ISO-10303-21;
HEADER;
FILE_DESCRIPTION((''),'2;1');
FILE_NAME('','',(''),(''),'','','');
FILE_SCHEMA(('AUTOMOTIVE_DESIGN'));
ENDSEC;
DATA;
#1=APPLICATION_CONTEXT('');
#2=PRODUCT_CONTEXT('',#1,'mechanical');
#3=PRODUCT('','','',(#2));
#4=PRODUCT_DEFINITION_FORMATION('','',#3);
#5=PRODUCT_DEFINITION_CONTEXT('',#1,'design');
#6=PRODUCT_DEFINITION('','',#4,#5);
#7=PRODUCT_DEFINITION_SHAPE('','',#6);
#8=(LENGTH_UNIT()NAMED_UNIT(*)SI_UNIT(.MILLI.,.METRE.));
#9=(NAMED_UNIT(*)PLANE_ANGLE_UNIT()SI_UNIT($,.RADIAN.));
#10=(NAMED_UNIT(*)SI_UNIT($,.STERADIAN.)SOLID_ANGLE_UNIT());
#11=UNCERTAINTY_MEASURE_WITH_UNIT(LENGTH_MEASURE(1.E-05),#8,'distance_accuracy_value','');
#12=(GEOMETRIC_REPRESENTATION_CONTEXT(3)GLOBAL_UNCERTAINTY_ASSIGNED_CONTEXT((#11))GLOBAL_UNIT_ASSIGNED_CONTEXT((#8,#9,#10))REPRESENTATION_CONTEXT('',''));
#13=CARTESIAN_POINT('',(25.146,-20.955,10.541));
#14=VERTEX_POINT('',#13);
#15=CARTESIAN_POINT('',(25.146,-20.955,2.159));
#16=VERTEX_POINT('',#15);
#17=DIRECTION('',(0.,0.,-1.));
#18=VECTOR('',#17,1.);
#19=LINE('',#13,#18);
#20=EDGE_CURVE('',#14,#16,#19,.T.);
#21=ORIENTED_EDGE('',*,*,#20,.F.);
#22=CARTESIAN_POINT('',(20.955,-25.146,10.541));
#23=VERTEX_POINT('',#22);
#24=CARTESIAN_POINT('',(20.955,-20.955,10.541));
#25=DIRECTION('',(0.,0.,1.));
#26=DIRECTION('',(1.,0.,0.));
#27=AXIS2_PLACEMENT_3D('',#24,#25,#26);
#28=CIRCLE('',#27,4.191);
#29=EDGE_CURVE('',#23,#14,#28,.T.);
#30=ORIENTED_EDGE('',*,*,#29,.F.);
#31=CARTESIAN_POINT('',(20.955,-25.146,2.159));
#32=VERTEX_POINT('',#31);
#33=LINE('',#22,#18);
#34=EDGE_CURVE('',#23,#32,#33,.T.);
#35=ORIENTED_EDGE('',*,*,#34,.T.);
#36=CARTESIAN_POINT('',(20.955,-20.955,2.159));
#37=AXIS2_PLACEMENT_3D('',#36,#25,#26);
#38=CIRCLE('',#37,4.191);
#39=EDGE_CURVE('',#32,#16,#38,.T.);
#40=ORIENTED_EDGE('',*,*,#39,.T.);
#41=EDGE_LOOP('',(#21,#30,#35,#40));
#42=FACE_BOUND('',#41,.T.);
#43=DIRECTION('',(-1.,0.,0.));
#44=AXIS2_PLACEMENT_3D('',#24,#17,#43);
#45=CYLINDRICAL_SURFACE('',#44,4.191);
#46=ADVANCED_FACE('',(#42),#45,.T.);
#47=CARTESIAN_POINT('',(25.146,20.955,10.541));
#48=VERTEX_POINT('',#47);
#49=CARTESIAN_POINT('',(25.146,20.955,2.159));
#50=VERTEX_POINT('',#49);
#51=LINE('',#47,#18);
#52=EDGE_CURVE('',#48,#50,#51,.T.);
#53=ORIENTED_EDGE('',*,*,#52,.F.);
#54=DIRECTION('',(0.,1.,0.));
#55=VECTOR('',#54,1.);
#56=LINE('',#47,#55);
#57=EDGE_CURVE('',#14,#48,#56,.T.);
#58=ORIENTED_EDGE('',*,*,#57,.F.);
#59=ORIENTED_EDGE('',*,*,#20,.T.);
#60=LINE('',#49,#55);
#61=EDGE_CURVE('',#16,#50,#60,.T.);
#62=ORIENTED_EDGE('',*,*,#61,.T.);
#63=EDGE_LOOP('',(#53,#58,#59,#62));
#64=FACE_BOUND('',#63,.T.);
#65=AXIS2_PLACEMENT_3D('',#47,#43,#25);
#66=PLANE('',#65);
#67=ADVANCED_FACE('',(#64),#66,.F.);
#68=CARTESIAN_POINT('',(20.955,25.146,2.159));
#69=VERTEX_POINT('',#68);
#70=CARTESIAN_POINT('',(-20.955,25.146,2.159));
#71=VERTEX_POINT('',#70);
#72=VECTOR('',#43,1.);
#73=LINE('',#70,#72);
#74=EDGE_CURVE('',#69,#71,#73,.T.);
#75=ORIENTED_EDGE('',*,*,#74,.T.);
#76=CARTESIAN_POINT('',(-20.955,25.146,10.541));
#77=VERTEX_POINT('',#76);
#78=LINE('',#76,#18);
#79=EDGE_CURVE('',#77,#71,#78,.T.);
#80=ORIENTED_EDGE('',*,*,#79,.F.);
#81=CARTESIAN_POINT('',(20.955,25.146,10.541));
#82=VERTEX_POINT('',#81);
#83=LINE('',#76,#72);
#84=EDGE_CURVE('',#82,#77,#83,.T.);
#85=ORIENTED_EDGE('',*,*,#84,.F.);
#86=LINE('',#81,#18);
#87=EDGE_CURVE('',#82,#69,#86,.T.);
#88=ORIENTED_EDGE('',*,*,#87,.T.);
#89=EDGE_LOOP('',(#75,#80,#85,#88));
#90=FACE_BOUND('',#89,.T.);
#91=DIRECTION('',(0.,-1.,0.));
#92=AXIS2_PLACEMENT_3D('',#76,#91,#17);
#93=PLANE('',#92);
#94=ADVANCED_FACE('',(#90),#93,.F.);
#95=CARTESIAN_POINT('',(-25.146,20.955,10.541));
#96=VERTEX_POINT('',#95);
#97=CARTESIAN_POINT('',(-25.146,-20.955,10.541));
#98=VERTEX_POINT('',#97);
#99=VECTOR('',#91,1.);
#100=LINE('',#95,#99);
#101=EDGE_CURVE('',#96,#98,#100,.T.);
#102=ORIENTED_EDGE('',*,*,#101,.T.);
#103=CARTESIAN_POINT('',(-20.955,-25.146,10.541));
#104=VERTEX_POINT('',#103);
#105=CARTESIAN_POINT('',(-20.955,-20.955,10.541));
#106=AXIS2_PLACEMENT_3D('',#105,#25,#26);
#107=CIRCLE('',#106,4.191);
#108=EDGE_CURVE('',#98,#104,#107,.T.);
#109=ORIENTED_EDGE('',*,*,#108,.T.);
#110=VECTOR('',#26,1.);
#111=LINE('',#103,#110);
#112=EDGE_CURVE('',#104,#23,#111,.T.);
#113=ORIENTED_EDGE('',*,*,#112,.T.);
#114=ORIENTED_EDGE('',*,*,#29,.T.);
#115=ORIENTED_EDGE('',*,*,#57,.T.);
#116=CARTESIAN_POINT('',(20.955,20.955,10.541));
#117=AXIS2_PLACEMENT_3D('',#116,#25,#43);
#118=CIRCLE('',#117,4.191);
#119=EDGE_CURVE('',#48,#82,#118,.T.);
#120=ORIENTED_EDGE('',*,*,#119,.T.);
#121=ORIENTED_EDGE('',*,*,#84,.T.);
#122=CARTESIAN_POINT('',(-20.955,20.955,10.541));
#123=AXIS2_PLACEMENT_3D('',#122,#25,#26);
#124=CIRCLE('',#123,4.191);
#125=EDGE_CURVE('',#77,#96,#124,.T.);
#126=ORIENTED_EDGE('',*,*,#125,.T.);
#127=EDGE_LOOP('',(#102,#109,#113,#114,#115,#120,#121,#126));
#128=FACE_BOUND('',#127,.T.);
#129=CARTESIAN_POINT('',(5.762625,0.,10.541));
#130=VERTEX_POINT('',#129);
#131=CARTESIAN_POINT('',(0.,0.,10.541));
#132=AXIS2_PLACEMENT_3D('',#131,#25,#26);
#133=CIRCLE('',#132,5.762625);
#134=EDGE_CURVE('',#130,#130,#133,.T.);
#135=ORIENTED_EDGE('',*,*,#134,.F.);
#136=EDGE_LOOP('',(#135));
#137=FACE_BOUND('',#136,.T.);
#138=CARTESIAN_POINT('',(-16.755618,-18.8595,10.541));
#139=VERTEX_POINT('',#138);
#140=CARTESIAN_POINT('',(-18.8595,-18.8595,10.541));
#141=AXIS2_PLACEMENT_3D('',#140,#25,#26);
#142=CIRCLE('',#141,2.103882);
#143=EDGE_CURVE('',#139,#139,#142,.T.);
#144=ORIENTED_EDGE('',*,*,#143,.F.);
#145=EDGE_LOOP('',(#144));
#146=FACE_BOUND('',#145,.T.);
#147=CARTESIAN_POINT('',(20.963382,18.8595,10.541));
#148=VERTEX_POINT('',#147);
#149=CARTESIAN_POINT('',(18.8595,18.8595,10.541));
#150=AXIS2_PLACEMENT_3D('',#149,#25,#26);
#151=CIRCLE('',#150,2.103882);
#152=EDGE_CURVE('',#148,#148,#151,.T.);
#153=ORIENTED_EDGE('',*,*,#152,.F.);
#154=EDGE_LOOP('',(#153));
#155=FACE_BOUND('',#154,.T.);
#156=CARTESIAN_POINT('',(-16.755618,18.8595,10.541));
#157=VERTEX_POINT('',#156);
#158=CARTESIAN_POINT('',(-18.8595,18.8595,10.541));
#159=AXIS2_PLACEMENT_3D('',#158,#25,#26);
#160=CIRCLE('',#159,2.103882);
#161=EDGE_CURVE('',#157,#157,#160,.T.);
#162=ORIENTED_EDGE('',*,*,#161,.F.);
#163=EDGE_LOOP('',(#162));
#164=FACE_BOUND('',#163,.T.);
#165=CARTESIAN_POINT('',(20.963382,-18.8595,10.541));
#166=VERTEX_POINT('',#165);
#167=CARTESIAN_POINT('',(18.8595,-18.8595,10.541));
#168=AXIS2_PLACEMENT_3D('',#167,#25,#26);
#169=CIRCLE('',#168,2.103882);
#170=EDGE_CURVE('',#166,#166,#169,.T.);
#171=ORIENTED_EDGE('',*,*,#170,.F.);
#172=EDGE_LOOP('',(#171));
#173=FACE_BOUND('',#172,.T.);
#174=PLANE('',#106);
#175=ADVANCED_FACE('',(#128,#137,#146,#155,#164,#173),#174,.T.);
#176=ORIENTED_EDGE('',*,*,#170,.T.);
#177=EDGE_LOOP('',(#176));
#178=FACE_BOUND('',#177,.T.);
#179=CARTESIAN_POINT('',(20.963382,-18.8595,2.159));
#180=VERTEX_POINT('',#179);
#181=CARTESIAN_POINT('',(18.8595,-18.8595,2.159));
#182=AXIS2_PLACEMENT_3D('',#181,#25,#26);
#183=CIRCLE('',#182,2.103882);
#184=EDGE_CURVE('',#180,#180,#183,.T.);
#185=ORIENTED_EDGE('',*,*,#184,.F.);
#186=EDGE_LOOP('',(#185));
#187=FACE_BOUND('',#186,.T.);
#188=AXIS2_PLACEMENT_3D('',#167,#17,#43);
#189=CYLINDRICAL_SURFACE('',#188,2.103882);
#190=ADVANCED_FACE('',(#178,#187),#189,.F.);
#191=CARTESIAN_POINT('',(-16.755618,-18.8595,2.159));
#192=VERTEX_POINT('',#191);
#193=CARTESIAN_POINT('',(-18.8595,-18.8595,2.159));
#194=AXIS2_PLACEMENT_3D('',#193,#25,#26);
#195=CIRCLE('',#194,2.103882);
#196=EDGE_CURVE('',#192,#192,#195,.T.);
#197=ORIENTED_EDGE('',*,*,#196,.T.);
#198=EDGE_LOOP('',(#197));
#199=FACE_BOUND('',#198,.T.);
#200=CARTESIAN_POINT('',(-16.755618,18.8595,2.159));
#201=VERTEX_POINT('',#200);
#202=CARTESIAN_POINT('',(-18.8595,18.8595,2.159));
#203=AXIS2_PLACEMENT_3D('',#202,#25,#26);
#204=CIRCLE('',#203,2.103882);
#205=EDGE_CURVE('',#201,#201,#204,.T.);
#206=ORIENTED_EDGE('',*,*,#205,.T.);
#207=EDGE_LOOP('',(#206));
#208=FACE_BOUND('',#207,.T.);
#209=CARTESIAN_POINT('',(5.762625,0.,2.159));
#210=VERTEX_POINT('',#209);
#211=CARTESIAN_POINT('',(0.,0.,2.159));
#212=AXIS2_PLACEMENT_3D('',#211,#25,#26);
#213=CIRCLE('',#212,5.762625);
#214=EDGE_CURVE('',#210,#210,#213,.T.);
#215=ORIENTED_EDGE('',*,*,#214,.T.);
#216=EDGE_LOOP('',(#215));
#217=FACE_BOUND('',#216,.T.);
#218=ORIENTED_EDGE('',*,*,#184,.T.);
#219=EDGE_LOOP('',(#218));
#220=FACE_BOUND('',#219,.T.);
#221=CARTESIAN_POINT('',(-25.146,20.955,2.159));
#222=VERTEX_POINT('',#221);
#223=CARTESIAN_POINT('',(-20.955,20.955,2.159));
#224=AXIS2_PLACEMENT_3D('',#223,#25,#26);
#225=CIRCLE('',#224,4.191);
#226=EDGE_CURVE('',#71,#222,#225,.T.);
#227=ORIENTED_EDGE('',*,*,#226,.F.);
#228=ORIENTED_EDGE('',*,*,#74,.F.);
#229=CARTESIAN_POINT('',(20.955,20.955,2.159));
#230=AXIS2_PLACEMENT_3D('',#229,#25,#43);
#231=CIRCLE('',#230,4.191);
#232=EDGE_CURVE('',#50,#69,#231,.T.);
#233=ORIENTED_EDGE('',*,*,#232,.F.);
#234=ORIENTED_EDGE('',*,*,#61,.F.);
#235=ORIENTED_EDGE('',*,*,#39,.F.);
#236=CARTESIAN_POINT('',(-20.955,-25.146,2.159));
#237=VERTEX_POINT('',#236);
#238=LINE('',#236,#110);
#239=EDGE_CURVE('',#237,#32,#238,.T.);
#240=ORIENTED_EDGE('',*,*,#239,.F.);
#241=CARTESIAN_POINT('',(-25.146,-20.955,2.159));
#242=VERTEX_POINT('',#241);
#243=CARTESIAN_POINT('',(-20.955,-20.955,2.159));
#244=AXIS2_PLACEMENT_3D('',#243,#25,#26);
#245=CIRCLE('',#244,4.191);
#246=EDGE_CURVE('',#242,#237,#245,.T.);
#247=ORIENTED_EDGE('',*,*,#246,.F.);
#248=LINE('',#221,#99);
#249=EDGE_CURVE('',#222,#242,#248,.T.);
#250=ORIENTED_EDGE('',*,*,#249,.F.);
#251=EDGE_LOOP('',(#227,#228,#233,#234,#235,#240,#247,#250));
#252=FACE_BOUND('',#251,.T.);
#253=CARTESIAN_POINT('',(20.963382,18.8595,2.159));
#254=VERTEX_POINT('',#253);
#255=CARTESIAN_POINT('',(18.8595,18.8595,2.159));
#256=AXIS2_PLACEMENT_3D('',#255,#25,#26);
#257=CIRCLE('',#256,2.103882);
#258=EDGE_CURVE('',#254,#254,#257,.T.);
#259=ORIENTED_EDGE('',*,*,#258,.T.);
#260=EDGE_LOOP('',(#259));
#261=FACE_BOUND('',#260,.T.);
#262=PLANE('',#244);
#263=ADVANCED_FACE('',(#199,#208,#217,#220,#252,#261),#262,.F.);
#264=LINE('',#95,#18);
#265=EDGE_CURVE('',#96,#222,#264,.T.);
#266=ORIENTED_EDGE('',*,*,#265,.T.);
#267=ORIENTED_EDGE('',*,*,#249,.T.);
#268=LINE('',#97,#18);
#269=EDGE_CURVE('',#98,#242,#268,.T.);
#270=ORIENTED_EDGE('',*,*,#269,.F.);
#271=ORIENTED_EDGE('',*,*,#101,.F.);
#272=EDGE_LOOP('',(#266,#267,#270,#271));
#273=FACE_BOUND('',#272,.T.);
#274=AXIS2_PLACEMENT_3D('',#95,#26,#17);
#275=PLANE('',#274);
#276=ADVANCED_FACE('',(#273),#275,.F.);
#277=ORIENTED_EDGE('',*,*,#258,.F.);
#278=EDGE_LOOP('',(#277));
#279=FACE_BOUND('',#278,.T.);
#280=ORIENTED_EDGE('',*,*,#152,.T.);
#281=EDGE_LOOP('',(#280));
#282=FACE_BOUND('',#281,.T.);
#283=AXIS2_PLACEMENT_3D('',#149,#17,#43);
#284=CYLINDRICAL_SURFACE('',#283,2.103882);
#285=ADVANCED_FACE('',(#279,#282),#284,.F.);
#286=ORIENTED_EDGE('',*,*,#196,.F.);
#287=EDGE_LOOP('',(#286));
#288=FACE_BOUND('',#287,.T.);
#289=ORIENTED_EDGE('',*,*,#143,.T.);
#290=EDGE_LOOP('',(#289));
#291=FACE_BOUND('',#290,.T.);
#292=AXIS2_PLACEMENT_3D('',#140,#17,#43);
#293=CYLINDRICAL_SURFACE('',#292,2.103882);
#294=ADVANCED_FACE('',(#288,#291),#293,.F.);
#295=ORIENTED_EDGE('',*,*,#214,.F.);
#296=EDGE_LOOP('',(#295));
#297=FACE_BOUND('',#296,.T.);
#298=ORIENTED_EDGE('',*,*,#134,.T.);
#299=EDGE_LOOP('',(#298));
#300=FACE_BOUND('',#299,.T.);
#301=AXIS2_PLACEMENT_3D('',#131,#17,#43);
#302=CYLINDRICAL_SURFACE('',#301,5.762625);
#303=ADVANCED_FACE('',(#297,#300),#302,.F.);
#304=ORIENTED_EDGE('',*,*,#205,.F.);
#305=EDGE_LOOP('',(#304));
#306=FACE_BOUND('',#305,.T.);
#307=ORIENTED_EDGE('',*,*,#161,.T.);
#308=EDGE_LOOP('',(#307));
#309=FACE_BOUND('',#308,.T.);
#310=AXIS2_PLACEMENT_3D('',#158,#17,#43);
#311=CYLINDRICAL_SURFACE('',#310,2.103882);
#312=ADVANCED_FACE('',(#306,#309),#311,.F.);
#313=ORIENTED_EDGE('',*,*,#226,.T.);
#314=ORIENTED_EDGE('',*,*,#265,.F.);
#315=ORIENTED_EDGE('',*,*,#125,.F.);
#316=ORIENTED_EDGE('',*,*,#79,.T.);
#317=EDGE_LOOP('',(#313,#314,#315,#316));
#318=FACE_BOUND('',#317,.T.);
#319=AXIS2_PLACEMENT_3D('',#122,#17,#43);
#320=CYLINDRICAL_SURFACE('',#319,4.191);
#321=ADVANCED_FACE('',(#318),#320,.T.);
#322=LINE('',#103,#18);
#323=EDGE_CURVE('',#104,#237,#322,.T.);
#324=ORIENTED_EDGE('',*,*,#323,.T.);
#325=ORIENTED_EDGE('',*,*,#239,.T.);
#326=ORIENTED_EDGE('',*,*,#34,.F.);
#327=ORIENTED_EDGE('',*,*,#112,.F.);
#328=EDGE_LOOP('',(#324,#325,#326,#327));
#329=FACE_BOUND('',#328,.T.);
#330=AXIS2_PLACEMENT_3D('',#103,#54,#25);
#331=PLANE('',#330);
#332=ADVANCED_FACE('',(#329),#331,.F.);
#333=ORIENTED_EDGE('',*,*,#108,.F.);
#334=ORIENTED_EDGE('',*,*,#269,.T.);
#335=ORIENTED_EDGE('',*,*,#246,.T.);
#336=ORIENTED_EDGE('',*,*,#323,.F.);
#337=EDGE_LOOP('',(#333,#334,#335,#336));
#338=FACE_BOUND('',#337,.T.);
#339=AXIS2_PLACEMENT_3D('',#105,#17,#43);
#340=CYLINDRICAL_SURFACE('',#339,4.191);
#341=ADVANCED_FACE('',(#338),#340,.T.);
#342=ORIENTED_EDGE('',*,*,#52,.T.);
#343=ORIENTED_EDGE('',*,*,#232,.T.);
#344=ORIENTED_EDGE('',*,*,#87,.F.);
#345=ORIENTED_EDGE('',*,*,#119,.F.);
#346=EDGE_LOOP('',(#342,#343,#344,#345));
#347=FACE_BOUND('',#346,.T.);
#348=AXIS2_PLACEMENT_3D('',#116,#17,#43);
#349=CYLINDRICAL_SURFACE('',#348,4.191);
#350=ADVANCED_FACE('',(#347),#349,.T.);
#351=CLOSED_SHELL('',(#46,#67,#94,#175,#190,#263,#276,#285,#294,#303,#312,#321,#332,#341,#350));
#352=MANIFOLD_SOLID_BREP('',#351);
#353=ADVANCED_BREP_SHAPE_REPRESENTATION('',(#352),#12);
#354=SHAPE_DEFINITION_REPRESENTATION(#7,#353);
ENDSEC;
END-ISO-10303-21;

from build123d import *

# Parameters (mm, degrees)
SKETCH1_R           = 8.73125
SKETCH1_R_2         = 3.1877
BOSS_EXTRUDE1_DEPTH = 12.7
SCALE1_SCALE        = 0.66


with BuildPart() as part:
    # Sketch1 → Boss-Extrude1 (new body)
    with BuildSketch(Plane.XY):
        with BuildLine():
            Line((-31.75, 38.1), (31.75, 38.1))
            ThreePointArc((31.75, 38.1), (36.240128061, 36.240128061), (38.1, 31.75))
            Line((38.1, 31.75), (38.1, -31.75))
            ThreePointArc((38.1, -31.75), (36.240128061, -36.240128061), (31.75, -38.1))
            Line((31.75, -38.1), (-31.75, -38.1))
            ThreePointArc((-31.75, -38.1), (-36.240128061, -36.240128061), (-38.1, -31.75))
            Line((-38.1, -31.75), (-38.1, 31.75))
            ThreePointArc((-38.1, 31.75), (-36.240128061, 36.240128061), (-31.75, 38.1))
        make_face()
        Circle(SKETCH1_R, mode=Mode.SUBTRACT)
        with Locations((-28.575, 28.575)):
            Circle(SKETCH1_R_2, mode=Mode.SUBTRACT)
        with Locations((28.575, 28.575)):
            Circle(SKETCH1_R_2, mode=Mode.SUBTRACT)
        with Locations((28.575, -28.575)):
            Circle(SKETCH1_R_2, mode=Mode.SUBTRACT)
        with Locations((-28.575, -28.575)):
            Circle(SKETCH1_R_2, mode=Mode.SUBTRACT)
    extrude(amount=BOSS_EXTRUDE1_DEPTH)


with BuildPart() as part_1:
    # Scale1: scaled about (0, 0, 6.35)
    add(part.part.scale(SCALE1_SCALE).moved(Location((0, 0, 2.159))))


solid = part_1.part
